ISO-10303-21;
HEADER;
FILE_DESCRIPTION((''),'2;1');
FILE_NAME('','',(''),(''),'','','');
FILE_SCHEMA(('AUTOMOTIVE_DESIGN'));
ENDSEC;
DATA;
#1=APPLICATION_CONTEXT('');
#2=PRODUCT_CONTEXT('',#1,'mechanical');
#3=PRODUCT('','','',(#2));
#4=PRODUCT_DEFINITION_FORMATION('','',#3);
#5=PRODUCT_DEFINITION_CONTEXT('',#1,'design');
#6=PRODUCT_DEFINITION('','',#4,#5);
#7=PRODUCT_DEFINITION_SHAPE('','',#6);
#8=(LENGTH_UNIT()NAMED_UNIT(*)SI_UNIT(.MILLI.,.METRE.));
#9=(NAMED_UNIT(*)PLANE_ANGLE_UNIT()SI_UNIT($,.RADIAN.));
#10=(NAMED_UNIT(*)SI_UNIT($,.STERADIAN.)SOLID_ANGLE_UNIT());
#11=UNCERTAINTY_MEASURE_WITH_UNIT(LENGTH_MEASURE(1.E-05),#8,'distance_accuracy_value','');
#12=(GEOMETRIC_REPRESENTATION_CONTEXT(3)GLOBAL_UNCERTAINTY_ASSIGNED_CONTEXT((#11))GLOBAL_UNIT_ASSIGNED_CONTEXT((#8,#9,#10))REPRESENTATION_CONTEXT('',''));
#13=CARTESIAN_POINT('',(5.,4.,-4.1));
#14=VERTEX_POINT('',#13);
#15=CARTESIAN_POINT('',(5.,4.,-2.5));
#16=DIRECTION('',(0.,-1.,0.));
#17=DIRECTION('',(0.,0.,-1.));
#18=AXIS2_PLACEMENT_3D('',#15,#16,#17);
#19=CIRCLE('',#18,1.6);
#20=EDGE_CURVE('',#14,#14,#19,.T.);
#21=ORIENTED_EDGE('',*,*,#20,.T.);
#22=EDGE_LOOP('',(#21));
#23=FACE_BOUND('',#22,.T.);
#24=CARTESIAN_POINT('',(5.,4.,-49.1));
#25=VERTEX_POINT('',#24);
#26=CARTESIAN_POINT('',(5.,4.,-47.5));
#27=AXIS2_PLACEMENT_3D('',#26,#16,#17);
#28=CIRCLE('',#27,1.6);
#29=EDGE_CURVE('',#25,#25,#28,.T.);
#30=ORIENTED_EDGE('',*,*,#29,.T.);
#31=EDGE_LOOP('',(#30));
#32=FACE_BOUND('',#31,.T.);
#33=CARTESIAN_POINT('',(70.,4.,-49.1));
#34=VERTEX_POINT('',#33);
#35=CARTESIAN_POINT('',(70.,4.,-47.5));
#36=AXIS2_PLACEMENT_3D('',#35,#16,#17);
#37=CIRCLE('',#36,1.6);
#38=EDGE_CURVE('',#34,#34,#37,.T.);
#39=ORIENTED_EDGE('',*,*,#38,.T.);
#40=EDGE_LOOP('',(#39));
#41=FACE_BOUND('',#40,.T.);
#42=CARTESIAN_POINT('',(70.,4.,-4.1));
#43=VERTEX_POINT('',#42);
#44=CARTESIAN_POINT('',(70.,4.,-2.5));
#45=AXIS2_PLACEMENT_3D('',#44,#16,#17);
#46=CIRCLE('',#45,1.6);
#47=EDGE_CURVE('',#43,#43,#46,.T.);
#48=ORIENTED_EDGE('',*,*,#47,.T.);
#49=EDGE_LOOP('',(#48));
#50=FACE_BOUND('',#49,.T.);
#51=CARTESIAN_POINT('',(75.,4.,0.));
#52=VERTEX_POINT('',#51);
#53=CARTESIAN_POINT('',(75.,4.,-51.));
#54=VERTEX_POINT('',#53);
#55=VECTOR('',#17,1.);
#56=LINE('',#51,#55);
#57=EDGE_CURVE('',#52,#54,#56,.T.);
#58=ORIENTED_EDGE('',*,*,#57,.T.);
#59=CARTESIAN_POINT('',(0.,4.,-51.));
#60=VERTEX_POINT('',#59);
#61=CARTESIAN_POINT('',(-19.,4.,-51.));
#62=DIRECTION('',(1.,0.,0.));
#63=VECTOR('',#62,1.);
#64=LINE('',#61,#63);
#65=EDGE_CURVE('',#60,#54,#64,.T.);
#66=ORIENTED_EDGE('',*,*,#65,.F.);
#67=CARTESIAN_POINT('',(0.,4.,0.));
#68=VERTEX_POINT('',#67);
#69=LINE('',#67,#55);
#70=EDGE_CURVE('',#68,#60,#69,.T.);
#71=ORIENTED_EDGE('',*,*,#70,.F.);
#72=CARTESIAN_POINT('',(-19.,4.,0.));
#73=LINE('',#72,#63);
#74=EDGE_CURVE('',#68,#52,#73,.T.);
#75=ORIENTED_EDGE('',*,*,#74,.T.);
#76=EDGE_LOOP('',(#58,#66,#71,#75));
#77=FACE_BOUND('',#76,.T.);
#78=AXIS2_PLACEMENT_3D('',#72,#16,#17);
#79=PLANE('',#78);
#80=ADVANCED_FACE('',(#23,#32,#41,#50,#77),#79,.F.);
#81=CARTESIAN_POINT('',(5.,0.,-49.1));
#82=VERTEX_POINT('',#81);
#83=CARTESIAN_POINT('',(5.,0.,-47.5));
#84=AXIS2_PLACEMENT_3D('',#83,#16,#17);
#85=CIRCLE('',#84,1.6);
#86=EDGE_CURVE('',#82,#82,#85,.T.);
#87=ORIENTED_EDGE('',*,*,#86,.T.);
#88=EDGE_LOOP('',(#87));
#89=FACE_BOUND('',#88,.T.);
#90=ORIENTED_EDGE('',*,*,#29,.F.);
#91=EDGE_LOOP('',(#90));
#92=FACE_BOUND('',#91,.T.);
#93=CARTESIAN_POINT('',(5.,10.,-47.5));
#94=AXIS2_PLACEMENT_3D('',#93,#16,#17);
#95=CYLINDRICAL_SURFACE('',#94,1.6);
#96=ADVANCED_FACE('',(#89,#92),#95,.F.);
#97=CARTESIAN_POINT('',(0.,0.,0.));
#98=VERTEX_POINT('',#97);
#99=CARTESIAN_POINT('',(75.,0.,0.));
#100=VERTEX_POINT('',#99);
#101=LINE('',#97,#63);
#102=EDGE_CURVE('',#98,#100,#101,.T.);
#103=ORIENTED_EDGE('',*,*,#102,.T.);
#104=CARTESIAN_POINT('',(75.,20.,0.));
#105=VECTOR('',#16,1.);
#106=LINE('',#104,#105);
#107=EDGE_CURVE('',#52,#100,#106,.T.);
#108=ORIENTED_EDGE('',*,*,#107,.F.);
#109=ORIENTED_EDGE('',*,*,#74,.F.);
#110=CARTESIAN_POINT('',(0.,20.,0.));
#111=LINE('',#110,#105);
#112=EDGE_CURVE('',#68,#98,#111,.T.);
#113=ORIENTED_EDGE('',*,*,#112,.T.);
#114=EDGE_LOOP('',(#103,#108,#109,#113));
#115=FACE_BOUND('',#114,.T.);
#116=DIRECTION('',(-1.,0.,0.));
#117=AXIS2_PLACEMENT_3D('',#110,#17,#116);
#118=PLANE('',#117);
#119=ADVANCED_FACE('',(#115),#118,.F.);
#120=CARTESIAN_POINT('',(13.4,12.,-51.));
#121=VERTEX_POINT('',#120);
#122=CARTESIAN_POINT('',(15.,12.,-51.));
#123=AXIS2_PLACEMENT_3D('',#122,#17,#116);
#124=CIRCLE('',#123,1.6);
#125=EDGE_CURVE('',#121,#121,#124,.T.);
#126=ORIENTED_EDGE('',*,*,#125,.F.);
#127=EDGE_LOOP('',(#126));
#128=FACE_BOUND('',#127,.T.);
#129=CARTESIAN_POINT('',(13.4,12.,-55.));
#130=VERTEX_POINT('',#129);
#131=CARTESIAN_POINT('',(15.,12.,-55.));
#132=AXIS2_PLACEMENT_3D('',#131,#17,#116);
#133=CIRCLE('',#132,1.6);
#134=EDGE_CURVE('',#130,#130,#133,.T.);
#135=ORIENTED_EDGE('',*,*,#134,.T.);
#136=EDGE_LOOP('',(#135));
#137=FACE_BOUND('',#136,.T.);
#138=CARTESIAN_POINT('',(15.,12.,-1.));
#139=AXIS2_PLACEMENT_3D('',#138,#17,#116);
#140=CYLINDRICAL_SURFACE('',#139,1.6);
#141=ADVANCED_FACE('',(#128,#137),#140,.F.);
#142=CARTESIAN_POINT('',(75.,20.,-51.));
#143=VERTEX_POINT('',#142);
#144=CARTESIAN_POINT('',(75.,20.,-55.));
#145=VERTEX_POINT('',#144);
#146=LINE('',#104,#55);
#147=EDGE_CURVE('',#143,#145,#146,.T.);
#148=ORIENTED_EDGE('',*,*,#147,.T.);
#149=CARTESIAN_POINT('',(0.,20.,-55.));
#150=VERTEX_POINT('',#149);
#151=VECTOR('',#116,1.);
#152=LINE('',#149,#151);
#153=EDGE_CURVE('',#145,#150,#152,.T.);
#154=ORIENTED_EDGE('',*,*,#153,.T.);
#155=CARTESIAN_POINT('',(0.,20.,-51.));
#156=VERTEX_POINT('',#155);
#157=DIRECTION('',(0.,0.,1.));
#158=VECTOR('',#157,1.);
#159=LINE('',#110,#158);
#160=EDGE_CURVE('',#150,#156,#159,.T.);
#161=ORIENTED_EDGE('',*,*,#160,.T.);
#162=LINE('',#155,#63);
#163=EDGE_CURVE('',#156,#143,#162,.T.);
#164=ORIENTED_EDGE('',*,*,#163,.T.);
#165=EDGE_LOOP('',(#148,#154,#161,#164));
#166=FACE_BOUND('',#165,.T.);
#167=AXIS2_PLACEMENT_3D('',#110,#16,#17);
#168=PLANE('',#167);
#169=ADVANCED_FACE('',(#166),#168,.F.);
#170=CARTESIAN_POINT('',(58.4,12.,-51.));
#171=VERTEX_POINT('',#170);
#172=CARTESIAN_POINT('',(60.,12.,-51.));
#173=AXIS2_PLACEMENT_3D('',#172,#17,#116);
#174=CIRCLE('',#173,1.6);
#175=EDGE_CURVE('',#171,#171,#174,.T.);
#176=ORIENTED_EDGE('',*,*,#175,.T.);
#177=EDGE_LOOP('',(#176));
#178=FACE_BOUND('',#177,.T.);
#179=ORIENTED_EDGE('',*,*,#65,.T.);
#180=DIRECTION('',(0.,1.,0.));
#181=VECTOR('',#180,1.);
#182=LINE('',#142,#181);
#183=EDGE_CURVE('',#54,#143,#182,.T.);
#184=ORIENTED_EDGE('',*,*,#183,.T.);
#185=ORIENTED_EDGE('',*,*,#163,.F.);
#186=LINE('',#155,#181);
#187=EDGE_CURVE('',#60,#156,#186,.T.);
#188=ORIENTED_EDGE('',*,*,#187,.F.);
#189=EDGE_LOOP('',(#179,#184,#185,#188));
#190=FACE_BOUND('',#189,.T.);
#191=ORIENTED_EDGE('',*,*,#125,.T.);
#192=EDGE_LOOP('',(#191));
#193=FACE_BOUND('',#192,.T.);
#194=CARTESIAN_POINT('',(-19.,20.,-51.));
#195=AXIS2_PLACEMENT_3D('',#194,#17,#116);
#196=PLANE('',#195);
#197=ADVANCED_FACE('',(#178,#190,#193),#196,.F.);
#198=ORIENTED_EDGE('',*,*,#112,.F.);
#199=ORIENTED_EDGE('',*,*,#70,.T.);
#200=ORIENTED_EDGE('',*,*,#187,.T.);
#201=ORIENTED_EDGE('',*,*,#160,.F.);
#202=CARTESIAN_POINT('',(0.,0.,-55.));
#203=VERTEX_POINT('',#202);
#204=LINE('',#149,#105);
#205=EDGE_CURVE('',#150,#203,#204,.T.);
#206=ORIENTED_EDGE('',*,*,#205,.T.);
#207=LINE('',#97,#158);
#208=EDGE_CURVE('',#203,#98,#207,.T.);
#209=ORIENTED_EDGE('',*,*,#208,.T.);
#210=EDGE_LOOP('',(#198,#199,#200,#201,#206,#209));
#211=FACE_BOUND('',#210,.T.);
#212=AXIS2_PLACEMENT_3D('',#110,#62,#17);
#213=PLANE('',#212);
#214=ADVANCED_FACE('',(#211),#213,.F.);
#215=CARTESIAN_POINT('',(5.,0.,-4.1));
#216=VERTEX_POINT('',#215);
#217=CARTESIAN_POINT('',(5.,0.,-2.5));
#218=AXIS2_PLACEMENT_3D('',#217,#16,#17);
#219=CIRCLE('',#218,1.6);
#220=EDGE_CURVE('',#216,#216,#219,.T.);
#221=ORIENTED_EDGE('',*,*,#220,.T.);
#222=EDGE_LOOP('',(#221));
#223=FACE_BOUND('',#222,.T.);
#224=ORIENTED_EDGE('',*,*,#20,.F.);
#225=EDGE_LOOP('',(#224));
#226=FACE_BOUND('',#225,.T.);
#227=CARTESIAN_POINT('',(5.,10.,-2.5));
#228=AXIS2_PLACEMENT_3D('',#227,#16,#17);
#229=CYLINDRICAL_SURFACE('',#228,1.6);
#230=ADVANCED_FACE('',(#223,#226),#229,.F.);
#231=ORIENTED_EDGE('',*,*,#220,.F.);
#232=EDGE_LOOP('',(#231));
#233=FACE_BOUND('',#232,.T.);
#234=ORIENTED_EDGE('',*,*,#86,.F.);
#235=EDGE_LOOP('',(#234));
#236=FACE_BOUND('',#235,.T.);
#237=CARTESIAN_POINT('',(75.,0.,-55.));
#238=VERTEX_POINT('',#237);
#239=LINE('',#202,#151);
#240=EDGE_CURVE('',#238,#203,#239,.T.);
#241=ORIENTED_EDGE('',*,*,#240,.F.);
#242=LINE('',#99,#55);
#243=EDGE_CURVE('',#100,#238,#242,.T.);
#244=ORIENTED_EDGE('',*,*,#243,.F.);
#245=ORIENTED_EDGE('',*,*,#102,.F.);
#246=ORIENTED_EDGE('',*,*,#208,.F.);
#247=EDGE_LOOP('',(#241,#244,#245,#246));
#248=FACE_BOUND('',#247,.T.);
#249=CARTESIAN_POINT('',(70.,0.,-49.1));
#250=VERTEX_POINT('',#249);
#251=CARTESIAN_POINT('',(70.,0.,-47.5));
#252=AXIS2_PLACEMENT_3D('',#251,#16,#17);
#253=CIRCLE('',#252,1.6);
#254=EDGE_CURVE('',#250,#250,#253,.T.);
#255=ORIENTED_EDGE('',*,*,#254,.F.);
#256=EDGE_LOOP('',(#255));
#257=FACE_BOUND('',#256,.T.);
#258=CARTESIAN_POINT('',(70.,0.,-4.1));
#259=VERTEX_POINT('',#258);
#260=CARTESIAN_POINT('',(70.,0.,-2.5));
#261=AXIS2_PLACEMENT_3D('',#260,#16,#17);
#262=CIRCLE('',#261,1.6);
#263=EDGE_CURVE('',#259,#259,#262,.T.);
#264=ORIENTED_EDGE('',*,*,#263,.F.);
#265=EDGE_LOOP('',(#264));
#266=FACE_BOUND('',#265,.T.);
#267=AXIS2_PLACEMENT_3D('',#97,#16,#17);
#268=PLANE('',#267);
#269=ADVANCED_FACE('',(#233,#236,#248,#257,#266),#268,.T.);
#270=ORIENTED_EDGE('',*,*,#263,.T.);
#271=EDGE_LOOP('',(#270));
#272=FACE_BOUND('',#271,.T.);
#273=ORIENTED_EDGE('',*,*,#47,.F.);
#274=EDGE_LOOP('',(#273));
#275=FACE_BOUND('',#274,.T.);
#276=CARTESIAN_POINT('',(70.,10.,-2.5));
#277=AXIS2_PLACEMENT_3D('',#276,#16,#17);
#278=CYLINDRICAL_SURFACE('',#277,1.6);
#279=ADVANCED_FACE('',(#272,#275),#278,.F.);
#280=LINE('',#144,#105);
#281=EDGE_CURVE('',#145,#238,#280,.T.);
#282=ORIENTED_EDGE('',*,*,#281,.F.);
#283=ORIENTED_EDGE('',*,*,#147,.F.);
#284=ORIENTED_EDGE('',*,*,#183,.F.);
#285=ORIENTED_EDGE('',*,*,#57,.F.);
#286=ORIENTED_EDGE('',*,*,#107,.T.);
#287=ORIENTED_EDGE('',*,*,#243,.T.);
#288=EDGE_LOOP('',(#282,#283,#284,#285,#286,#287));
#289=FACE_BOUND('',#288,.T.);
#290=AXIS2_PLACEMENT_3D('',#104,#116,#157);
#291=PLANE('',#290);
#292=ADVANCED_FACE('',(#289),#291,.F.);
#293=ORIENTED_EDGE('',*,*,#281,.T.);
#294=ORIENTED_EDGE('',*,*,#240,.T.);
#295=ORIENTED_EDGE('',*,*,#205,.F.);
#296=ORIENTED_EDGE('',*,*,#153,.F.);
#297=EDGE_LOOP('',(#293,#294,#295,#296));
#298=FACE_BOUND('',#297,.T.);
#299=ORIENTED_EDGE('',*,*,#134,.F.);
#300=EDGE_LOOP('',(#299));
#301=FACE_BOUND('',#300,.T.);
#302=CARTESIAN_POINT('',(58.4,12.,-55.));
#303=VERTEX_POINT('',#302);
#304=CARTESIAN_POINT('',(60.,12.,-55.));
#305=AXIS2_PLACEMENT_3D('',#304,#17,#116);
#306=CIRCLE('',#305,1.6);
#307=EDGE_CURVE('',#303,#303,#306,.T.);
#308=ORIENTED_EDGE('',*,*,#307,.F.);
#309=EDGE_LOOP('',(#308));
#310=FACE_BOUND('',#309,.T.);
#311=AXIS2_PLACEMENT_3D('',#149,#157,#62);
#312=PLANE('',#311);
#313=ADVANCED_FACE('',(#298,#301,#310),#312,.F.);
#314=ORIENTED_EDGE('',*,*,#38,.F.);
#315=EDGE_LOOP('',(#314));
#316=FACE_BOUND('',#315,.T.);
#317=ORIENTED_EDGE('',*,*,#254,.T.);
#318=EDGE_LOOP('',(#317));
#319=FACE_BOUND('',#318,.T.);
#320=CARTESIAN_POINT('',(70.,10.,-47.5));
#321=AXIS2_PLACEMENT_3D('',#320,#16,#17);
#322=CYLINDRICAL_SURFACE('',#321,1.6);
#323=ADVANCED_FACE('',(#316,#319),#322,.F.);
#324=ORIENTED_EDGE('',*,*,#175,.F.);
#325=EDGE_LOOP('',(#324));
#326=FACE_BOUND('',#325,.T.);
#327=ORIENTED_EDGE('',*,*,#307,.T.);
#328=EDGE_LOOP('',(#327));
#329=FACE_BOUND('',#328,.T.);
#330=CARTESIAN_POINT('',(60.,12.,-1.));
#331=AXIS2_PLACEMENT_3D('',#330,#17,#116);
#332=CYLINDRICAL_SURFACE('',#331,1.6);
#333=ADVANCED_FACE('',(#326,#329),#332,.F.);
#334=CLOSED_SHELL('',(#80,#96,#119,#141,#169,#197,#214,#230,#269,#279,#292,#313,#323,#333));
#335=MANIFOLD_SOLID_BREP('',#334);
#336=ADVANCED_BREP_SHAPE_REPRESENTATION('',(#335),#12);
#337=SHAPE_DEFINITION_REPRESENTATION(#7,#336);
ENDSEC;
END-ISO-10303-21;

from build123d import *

# Parameters (mm, degrees)
SKETCH1_W           = 75
SKETCH1_H           = 55
BOSS_EXTRUDE1_DEPTH = 20
SKETCH2_W           = 51
SKETCH2_H           = 16
CUT_EXTRUDE1_DEPTH  = 94
SKETCH3_R           = 1.6
CUT_EXTRUDE2_DEPTH  = 54
SKETCH4_R           = 1.6
CUT_EXTRUDE3_DEPTH  = 10


with BuildPart() as part:
    # Sketch1 → Boss-Extrude1 (new body)
    with BuildSketch(Plane(origin=(0, 0, 0), x_dir=(1, 0, 0), z_dir=(0, 1, 0))):
        with Locations((37.5, 27.5)):
            Rectangle(SKETCH1_W, SKETCH1_H)
    extrude(amount=BOSS_EXTRUDE1_DEPTH)

    # Sketch2 → Cut-Extrude1 (cut)
    with BuildSketch(Plane(origin=(75, 0, 0), x_dir=(0, 0, -1), z_dir=(1, 0, 0))):
        with Locations((25.5, 12)):
            Rectangle(SKETCH2_W, SKETCH2_H)
    extrude(amount=-CUT_EXTRUDE1_DEPTH, mode=Mode.SUBTRACT)

    # Sketch3 → Cut-Extrude2 (cut)
    with BuildSketch(Plane(origin=(0, 0, -55), x_dir=(-1, 0, 0), z_dir=(0, 0, -1))):
        with Locations((-60, 12)):
            Circle(SKETCH3_R)
        with Locations((-15, 12)):
            Circle(SKETCH3_R)
    extrude(amount=-CUT_EXTRUDE2_DEPTH, mode=Mode.SUBTRACT)

    # Sketch4 → Cut-Extrude3 (cut)
    with BuildSketch(Plane.XZ):
        with Locations((5, -2.5)):
            Circle(SKETCH4_R)
        with Locations((5, -47.5)):
            Circle(SKETCH4_R)
        with Locations((70, -47.5)):
            Circle(SKETCH4_R)
        with Locations((70, -2.5)):
            Circle(SKETCH4_R)
    extrude(amount=-CUT_EXTRUDE3_DEPTH, mode=Mode.SUBTRACT)


solid = part.part
